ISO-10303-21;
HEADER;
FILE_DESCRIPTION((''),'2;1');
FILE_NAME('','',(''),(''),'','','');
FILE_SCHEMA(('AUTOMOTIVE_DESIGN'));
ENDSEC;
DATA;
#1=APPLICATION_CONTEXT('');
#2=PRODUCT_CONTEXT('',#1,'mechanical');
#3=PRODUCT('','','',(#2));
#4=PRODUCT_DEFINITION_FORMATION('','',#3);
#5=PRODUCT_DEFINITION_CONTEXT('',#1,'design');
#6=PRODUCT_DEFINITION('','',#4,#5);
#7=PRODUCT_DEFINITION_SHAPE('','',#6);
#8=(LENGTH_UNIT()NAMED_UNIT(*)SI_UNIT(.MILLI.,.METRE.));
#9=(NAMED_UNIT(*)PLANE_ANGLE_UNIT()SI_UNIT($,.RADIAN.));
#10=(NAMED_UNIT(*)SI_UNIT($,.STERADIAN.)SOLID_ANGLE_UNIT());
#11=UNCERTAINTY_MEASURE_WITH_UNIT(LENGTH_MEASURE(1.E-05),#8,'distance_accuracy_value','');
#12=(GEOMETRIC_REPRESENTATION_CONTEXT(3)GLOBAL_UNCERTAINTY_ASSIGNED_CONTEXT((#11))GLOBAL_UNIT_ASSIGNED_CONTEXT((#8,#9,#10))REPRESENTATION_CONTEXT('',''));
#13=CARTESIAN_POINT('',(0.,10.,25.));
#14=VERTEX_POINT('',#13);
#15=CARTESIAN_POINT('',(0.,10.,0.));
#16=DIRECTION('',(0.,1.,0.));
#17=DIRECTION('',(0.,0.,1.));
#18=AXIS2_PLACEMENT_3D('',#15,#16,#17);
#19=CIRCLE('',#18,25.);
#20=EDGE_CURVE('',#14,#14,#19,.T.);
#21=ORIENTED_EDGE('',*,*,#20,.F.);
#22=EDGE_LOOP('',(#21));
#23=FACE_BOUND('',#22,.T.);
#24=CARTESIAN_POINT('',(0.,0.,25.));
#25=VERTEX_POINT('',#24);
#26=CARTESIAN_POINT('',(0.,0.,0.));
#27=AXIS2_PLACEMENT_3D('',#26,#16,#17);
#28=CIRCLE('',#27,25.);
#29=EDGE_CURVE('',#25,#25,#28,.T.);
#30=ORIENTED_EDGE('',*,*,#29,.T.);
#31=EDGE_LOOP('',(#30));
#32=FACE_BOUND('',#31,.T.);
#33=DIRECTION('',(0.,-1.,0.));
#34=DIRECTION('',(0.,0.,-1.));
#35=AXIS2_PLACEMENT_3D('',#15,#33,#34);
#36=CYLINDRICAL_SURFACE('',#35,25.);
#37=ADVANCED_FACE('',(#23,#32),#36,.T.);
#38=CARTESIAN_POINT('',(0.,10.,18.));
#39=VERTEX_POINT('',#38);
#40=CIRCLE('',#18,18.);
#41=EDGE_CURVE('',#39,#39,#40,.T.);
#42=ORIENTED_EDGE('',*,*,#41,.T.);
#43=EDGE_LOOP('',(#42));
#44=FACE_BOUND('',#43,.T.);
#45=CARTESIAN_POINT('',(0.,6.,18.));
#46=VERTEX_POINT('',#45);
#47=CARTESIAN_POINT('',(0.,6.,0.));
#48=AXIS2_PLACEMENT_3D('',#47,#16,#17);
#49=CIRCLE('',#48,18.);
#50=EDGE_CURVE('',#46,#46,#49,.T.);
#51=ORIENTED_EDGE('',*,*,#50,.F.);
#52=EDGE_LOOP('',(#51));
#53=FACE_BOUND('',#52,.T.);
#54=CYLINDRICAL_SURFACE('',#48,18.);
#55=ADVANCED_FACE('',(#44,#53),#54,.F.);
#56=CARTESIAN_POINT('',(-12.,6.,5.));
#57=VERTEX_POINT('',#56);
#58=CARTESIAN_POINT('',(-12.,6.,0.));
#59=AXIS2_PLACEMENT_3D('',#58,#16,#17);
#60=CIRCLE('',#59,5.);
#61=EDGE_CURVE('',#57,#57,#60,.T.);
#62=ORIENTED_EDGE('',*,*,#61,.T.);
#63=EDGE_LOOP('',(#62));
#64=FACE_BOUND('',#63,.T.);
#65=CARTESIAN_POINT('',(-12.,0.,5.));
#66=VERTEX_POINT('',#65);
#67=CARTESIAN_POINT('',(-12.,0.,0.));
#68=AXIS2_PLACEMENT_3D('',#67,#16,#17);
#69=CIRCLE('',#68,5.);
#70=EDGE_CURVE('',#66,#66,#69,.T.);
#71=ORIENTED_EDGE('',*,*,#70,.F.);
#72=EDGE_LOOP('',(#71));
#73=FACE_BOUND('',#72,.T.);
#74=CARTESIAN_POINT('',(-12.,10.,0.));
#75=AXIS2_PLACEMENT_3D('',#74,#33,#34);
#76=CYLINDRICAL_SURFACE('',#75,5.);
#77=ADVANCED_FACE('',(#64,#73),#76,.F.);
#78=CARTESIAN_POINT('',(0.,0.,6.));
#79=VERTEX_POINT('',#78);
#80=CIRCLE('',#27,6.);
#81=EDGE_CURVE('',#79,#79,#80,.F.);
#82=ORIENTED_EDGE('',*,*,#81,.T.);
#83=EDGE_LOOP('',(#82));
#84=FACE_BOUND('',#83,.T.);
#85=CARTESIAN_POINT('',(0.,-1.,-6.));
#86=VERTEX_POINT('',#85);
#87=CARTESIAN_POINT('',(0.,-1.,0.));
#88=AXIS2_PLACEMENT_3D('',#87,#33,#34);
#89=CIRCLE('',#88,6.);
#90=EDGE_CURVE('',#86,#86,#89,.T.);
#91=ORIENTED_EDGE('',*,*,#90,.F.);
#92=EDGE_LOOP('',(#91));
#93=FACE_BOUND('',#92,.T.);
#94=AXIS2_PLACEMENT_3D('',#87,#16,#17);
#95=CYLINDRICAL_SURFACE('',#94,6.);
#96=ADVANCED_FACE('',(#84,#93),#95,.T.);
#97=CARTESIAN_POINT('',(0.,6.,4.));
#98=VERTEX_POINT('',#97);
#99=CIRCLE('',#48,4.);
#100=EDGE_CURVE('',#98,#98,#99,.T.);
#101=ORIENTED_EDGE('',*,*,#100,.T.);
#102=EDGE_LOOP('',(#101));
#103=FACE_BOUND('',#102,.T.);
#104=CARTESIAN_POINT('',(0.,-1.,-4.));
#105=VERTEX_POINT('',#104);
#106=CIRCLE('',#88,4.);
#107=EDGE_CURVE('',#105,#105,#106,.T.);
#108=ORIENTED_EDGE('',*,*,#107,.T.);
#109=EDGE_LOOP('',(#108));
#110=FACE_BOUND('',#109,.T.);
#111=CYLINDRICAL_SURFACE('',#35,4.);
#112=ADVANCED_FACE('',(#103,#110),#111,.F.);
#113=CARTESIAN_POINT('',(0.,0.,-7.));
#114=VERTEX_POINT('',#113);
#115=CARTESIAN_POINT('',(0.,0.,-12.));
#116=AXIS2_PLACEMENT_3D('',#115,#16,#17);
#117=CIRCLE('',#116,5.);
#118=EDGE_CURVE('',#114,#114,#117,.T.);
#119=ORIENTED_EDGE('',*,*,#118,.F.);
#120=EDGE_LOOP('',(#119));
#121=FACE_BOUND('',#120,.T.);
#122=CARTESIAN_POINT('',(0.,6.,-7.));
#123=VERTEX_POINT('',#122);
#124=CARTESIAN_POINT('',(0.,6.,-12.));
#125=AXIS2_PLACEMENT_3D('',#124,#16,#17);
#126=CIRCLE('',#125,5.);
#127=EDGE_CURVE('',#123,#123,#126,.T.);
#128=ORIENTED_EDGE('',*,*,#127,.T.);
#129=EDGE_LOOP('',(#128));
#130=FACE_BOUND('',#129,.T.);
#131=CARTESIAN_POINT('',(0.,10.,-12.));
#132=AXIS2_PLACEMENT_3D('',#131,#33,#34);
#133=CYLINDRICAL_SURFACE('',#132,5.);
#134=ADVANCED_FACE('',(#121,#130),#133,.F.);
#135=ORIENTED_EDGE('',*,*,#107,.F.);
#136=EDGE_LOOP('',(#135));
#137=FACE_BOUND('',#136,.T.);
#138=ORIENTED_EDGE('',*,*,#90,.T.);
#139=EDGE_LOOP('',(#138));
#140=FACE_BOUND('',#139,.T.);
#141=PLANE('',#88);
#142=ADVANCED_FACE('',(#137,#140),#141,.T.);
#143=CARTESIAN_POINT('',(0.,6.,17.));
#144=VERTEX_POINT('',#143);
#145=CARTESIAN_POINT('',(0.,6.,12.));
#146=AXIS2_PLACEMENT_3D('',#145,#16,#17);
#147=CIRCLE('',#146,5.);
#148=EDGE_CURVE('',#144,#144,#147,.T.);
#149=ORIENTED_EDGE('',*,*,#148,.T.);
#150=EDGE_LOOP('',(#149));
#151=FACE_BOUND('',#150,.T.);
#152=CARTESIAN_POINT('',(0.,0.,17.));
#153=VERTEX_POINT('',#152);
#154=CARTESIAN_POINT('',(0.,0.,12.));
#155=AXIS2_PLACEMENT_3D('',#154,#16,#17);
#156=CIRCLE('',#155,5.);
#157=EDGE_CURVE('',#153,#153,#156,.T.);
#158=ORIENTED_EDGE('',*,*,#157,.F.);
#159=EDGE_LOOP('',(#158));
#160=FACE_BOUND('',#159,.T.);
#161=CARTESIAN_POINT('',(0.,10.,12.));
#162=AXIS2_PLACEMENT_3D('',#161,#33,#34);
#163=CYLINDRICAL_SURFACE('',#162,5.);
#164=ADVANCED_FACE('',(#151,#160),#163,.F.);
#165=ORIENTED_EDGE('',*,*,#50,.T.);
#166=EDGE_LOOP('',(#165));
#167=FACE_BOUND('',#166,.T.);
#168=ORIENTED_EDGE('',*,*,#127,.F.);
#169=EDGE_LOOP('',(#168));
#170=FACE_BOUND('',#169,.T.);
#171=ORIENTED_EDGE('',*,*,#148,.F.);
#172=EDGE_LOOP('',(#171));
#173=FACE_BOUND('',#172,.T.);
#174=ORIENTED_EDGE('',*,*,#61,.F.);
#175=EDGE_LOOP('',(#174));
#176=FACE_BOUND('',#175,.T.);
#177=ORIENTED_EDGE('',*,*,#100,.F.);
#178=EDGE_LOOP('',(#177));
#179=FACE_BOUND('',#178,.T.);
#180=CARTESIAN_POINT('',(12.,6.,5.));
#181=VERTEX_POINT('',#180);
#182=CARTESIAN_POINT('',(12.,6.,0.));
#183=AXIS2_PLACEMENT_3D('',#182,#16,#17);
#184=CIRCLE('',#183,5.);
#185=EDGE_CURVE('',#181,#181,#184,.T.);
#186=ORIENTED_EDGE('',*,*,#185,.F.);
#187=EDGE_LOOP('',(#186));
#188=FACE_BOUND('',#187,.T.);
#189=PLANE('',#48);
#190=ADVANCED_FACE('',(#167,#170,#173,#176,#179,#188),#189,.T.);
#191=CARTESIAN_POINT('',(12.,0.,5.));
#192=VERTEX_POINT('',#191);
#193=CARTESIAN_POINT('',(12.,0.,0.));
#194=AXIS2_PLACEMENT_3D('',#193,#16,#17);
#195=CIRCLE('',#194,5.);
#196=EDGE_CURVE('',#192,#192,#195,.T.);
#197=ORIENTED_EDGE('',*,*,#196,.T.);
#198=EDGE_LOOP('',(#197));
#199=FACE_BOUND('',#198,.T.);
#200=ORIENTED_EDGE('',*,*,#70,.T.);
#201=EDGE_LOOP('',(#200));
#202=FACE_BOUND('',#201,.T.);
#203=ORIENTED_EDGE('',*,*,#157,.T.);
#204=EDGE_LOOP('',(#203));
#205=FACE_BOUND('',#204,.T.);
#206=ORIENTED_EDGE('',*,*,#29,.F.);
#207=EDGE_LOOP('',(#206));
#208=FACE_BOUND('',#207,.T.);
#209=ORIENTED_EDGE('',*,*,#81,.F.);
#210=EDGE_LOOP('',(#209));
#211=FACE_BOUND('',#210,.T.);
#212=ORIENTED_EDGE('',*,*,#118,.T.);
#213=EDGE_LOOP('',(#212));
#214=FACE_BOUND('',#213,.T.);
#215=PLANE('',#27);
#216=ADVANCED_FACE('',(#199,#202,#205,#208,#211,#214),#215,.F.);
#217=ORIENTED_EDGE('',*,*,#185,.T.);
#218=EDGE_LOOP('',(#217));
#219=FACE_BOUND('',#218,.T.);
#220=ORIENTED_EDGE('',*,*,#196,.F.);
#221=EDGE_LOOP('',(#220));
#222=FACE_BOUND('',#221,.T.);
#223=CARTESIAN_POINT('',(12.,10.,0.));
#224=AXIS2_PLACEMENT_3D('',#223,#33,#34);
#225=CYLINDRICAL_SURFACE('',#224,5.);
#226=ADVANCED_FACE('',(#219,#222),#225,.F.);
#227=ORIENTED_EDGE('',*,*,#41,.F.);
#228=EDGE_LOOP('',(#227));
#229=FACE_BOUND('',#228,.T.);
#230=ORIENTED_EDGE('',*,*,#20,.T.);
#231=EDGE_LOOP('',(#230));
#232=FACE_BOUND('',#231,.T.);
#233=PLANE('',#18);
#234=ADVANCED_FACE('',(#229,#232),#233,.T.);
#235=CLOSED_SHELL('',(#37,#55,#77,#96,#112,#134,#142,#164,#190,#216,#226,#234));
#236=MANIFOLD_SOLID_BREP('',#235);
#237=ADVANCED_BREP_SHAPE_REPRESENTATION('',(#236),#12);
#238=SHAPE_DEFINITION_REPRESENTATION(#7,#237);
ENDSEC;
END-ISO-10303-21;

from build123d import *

# Parameters (mm, degrees)
SKETCH1_R           = 25
SKETCH1_R_2         = 4
SKETCH1_R_3         = 5
BOSS_EXTRUDE1_DEPTH = 10
SKETCH2_R           = 18
CUT_EXTRUDE1_DEPTH  = 4
SKETCH3_R           = 6
BOSS_EXTRUDE2_DEPTH = 1
SKETCH4_R           = 4
CUT_EXTRUDE2_DEPTH  = 13


with BuildPart() as part:
    # Sketch1 → Boss-Extrude1 (new body)
    with BuildSketch(Plane(origin=(0, 0, 0), x_dir=(1, 0, 0), z_dir=(0, 1, 0))):
        Circle(SKETCH1_R)
        Circle(SKETCH1_R_2, mode=Mode.SUBTRACT)
        with Locations((0, 12)):
            Circle(SKETCH1_R_3, mode=Mode.SUBTRACT)
        with Locations((12, 0)):
            Circle(SKETCH1_R_3, mode=Mode.SUBTRACT)
        with Locations((0, -12)):
            Circle(SKETCH1_R_3, mode=Mode.SUBTRACT)
        with Locations((-12, 0)):
            Circle(SKETCH1_R_3, mode=Mode.SUBTRACT)
    extrude(amount=BOSS_EXTRUDE1_DEPTH)

    # Sketch2 → Cut-Extrude1 (cut)
    with BuildSketch(Plane(origin=(0, 10, 0), x_dir=(1, 0, 0), z_dir=(0, 1, 0))):
        Circle(SKETCH2_R)
    extrude(amount=-CUT_EXTRUDE1_DEPTH, mode=Mode.SUBTRACT)

    # Sketch3 → Boss-Extrude2 (add)
    with BuildSketch(Plane.XZ):
        Circle(SKETCH3_R)
    extrude(amount=BOSS_EXTRUDE2_DEPTH)

    # Sketch4 → Cut-Extrude2 (cut)
    with BuildSketch(Plane(origin=(0, 0, 0), x_dir=(1, 0, 0), z_dir=(0, 1, 0))):
        Circle(SKETCH4_R)
    extrude(amount=-CUT_EXTRUDE2_DEPTH, mode=Mode.SUBTRACT)


solid = part.part
